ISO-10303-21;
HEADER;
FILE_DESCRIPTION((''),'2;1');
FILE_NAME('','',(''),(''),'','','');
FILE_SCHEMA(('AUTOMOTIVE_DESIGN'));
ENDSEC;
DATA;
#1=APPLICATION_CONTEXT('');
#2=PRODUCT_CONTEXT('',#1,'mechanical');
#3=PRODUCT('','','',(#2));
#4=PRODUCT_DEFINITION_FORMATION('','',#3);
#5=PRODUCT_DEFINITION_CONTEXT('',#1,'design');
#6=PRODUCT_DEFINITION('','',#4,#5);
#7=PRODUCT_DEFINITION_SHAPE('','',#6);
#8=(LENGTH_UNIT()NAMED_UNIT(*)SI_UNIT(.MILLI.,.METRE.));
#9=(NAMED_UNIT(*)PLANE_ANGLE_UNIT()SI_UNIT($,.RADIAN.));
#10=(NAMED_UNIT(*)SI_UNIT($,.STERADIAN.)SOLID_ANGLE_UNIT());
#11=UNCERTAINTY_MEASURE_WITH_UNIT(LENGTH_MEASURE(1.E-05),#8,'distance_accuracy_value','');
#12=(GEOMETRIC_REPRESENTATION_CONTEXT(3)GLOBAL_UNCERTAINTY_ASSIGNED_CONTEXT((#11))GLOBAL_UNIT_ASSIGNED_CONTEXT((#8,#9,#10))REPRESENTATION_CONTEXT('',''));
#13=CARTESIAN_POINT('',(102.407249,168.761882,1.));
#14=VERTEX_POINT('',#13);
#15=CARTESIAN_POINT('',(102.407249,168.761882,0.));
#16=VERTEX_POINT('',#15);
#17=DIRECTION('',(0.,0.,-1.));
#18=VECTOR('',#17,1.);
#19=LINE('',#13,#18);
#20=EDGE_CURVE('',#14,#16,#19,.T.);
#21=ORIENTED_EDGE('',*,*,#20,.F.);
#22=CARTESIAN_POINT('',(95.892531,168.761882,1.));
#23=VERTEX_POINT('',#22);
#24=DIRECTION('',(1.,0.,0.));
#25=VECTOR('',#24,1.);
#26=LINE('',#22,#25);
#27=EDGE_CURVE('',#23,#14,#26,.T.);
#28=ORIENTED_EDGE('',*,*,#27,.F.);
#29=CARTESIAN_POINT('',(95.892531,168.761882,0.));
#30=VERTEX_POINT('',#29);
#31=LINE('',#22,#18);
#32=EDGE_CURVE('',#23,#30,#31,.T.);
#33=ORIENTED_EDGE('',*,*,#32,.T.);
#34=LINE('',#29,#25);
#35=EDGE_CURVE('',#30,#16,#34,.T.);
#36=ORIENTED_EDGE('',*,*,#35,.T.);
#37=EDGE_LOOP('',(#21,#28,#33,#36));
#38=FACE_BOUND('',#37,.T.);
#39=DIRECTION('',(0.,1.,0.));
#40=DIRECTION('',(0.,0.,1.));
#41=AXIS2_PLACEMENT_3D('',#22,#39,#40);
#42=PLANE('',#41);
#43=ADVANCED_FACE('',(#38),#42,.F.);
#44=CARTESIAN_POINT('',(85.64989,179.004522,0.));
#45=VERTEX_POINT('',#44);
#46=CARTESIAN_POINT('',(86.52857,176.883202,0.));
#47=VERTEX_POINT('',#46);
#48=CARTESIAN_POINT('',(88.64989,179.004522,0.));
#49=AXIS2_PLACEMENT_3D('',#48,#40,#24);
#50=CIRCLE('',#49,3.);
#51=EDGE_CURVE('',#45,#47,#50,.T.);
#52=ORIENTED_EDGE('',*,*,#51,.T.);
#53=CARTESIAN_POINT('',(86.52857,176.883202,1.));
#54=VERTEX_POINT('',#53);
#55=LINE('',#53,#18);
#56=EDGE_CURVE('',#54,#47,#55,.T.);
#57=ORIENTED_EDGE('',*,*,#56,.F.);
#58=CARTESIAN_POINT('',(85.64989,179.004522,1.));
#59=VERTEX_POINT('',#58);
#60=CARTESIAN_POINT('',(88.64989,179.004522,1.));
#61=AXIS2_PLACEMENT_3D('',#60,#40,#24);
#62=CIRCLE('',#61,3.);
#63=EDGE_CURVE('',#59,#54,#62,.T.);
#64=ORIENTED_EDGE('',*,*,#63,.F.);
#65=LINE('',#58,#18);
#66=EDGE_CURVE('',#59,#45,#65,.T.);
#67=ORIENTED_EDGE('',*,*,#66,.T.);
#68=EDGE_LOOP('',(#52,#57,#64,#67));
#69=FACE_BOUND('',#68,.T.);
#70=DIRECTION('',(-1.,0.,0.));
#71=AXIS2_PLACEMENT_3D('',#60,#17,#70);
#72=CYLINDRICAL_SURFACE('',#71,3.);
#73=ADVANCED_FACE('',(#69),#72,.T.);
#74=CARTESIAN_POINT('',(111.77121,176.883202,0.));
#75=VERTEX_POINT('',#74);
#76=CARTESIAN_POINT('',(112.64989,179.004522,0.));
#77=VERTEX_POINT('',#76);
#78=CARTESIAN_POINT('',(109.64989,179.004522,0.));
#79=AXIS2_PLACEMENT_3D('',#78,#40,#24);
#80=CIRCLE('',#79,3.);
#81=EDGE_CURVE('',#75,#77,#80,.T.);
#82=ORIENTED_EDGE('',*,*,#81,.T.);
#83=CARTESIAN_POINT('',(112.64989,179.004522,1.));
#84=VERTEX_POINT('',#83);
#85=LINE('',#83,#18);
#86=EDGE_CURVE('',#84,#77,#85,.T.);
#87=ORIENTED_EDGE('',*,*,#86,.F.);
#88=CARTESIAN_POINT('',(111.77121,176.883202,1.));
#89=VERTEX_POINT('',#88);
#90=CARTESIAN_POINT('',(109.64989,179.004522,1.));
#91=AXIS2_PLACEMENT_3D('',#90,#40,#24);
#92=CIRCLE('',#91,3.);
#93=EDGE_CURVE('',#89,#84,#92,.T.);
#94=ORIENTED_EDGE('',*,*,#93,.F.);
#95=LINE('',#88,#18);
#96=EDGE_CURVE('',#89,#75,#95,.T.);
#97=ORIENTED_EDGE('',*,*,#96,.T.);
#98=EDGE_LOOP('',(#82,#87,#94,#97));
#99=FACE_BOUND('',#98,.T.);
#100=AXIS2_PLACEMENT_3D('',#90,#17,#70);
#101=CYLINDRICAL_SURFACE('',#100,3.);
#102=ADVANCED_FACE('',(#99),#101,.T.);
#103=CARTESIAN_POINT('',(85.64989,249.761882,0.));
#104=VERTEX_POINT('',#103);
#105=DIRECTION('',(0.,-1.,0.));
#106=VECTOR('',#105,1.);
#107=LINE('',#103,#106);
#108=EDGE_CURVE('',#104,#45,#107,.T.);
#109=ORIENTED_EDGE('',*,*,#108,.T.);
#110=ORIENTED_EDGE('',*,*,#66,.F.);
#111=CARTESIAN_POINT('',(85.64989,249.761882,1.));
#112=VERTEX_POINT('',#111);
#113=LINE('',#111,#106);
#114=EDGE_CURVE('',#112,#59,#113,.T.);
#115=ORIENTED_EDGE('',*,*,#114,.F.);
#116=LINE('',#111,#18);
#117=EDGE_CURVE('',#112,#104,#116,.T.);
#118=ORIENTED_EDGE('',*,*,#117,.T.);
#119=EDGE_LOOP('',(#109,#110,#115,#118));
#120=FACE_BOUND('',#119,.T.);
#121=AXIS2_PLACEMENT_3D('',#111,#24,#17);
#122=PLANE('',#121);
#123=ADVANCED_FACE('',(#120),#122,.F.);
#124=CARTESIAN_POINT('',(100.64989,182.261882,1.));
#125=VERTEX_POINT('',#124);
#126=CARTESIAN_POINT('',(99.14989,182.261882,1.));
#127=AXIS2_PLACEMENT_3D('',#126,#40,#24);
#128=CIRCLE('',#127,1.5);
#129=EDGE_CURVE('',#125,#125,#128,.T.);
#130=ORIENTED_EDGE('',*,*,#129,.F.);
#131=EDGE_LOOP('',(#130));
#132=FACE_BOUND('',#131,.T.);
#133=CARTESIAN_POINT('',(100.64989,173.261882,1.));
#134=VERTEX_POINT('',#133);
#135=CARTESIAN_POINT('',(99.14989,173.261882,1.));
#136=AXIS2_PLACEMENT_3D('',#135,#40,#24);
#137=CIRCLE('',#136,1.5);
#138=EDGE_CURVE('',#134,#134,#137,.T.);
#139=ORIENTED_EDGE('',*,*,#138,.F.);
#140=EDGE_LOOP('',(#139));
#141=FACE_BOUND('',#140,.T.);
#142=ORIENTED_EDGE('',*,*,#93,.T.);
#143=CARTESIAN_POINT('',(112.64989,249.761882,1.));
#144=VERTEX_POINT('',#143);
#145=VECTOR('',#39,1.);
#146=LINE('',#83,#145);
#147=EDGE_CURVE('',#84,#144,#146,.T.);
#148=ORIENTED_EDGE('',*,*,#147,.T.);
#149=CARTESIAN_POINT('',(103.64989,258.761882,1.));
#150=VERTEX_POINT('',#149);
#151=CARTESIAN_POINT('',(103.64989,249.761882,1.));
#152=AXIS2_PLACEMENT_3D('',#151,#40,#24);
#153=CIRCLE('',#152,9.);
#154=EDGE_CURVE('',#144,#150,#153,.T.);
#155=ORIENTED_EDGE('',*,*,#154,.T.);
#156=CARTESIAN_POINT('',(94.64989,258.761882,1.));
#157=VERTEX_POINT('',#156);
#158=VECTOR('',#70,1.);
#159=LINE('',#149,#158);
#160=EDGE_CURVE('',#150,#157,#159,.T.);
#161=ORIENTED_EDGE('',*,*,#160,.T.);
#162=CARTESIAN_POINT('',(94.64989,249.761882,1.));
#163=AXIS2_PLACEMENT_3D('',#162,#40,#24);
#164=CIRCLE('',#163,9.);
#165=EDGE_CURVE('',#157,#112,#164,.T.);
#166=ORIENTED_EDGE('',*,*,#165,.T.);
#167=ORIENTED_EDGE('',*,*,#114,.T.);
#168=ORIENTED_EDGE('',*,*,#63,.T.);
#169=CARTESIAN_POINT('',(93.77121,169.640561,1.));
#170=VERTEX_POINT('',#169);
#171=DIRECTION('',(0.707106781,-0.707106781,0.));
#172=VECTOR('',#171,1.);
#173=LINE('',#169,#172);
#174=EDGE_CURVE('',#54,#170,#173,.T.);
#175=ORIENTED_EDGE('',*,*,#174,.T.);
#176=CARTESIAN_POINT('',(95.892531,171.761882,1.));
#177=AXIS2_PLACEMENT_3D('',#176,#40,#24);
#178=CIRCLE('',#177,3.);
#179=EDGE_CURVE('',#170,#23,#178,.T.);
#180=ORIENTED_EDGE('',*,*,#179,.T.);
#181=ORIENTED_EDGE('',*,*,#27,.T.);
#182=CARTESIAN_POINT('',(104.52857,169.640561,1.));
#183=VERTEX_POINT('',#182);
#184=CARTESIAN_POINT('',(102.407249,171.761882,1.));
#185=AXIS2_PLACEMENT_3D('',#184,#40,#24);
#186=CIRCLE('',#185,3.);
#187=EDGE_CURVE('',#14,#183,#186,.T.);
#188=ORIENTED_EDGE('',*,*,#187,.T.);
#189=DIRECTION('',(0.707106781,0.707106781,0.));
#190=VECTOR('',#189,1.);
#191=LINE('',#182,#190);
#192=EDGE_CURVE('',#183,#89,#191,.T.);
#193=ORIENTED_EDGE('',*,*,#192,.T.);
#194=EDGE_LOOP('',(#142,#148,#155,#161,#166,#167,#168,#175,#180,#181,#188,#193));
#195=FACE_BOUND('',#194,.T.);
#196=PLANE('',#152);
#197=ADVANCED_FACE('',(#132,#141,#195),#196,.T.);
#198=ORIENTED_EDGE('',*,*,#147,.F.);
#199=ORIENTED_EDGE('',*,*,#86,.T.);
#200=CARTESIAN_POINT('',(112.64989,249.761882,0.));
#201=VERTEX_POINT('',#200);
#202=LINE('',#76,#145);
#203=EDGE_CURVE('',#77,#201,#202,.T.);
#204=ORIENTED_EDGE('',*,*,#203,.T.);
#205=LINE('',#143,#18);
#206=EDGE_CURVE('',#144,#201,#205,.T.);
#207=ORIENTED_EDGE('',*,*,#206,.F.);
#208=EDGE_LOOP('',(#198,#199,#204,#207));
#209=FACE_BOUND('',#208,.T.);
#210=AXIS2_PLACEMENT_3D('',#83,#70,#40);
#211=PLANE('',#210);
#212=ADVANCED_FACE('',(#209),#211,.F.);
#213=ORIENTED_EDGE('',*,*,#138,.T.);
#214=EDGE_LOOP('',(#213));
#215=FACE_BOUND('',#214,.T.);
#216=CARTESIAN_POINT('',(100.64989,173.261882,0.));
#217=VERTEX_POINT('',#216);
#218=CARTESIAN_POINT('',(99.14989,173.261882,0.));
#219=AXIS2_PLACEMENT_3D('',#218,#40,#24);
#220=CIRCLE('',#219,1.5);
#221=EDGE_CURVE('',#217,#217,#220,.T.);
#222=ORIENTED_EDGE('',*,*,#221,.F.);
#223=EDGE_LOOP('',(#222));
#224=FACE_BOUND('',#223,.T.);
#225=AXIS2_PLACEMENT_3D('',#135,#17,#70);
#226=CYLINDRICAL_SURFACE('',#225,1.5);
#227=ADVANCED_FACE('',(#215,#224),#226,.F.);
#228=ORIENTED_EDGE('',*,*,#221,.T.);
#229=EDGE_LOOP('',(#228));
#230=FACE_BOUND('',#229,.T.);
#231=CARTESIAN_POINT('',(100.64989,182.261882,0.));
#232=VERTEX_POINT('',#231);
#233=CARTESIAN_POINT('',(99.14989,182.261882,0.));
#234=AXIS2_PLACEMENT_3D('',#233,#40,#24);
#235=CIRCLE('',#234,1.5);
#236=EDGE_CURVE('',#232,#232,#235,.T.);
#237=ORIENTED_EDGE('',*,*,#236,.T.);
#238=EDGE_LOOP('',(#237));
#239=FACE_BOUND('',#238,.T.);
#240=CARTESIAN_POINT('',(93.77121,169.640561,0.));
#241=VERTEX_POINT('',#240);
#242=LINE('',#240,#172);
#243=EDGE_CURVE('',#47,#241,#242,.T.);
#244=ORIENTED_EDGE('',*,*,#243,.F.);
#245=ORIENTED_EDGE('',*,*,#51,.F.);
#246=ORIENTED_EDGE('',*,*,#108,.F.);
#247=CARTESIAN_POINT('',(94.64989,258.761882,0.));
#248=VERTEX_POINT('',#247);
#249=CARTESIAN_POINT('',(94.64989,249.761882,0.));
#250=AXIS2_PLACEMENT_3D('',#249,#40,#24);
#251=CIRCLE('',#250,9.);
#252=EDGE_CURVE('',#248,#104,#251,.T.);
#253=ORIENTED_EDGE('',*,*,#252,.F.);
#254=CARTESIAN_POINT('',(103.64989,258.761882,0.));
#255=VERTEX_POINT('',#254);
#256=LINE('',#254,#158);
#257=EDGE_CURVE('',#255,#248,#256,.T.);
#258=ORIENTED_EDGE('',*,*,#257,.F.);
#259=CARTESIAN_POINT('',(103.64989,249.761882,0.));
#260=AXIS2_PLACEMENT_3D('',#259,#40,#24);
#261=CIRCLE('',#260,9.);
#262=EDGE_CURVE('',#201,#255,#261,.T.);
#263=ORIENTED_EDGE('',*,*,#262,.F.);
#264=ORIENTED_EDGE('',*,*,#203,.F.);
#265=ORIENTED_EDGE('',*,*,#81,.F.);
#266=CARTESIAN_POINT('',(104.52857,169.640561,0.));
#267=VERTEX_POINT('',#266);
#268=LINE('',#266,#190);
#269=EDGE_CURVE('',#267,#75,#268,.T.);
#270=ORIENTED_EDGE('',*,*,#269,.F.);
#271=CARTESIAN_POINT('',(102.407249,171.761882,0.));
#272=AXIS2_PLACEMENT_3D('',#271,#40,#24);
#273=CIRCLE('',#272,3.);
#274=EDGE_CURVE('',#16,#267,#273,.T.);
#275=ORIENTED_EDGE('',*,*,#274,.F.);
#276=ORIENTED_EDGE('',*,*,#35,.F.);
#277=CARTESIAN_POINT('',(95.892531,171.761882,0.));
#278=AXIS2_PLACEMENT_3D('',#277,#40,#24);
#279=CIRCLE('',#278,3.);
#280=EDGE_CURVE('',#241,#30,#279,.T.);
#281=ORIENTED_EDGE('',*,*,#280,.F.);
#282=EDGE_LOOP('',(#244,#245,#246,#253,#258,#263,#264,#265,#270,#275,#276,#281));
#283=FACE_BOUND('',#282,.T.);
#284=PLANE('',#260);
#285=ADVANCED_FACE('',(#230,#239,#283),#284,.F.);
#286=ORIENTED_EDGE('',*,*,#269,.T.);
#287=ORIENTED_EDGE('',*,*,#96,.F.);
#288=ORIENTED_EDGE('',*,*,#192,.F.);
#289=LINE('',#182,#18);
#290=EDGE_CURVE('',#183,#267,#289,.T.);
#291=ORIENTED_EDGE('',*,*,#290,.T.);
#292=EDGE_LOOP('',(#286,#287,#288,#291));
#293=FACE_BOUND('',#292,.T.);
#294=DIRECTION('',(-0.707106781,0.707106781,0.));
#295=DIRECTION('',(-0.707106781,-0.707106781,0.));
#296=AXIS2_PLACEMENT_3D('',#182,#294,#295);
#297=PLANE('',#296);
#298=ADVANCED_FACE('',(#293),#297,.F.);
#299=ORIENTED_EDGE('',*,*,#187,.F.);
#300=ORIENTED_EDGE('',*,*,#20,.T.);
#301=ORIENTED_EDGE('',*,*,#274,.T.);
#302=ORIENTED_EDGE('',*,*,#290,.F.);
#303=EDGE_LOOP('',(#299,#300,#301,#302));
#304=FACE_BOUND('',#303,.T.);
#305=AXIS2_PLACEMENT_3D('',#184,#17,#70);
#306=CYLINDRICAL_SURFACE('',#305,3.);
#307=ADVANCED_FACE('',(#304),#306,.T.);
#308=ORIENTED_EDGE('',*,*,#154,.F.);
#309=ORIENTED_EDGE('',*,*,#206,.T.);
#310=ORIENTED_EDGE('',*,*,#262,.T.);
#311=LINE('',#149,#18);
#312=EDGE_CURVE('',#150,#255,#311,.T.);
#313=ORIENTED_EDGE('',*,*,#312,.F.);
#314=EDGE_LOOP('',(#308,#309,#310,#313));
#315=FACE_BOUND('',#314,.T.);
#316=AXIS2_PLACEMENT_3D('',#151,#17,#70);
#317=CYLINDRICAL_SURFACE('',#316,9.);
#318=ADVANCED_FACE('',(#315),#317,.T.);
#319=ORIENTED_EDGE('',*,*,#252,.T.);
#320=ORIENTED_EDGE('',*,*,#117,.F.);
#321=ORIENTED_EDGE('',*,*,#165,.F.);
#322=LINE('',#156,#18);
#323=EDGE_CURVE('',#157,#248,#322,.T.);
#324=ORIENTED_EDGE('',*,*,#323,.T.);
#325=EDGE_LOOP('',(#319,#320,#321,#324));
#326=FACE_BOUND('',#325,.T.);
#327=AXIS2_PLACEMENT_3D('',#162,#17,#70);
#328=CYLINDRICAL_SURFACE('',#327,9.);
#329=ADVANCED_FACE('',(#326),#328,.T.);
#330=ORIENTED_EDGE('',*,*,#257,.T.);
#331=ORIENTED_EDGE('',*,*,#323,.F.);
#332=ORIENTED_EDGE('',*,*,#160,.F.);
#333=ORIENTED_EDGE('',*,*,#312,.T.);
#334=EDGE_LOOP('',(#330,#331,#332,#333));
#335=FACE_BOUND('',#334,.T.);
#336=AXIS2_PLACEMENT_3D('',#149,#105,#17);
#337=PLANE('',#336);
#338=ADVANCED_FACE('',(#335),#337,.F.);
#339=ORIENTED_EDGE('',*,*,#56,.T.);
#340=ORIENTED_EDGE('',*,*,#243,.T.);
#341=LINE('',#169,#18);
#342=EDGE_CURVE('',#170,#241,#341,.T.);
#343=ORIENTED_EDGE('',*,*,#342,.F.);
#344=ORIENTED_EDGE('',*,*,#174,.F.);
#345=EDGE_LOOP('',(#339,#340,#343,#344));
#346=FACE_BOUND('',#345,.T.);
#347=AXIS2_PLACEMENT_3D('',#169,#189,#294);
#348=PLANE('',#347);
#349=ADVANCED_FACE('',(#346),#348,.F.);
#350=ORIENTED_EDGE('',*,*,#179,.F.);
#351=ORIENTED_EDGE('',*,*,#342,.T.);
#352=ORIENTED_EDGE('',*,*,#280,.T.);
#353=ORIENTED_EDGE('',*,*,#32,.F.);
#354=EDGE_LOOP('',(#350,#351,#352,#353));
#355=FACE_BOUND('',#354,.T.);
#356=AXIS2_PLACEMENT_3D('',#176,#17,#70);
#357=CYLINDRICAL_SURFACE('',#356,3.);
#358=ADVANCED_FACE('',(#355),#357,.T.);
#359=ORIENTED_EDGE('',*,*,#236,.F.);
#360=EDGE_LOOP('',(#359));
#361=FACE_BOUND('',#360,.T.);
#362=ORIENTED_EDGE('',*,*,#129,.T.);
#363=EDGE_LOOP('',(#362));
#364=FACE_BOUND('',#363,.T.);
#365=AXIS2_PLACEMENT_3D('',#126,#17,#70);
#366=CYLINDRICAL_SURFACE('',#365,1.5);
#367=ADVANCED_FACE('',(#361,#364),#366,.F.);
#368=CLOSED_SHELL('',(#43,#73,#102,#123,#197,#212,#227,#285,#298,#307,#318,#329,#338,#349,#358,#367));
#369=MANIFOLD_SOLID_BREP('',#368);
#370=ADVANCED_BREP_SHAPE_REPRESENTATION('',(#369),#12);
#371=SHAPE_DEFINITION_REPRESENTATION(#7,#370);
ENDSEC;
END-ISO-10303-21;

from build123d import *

# Parameters (mm, degrees)
MODEL_R                 = 1.5
SALIENTE_EXTRUIR1_DEPTH = 1


with BuildPart() as part:
    # Model → Saliente-Extruir1 (new body)
    with BuildSketch(Plane.XY):
        with BuildLine():
            Line((95.892530772, 168.7618816), (102.407249398, 168.7618816))
            ThreePointArc((102.407249398, 168.7618816), (103.555299695, 168.990243002), (104.528569741, 169.640561256))
            Line((104.528569741, 169.640561256), (111.771210428, 176.883201943))
            ThreePointArc((111.771210428, 176.883201943), (112.421528682, 177.85647199), (112.649890085, 179.004522287))
            Line((112.649890085, 179.004522287), (112.649890085, 249.7618816))
            ThreePointArc((112.649890085, 249.7618816), (110.013851116, 256.12584263), (103.649890085, 258.7618816))
            Line((103.649890085, 258.7618816), (94.649890085, 258.7618816))
            ThreePointArc((94.649890085, 258.7618816), (88.285929054, 256.12584263), (85.649890085, 249.7618816))
            Line((85.649890085, 249.7618816), (85.649890085, 179.004522287))
            ThreePointArc((85.649890085, 179.004522287), (85.878251487, 177.85647199), (86.528569741, 176.883201943))
            Line((86.528569741, 176.883201943), (93.771210429, 169.640561256))
            ThreePointArc((93.771210429, 169.640561256), (94.744480475, 168.990243002), (95.892530772, 168.7618816))
        make_face()
        with Locations((99.149890085, 173.2618816)):
            Circle(MODEL_R, mode=Mode.SUBTRACT)
        with Locations((99.149890085, 182.2618816)):
            Circle(MODEL_R, mode=Mode.SUBTRACT)
    extrude(amount=SALIENTE_EXTRUIR1_DEPTH)


solid = part.part
